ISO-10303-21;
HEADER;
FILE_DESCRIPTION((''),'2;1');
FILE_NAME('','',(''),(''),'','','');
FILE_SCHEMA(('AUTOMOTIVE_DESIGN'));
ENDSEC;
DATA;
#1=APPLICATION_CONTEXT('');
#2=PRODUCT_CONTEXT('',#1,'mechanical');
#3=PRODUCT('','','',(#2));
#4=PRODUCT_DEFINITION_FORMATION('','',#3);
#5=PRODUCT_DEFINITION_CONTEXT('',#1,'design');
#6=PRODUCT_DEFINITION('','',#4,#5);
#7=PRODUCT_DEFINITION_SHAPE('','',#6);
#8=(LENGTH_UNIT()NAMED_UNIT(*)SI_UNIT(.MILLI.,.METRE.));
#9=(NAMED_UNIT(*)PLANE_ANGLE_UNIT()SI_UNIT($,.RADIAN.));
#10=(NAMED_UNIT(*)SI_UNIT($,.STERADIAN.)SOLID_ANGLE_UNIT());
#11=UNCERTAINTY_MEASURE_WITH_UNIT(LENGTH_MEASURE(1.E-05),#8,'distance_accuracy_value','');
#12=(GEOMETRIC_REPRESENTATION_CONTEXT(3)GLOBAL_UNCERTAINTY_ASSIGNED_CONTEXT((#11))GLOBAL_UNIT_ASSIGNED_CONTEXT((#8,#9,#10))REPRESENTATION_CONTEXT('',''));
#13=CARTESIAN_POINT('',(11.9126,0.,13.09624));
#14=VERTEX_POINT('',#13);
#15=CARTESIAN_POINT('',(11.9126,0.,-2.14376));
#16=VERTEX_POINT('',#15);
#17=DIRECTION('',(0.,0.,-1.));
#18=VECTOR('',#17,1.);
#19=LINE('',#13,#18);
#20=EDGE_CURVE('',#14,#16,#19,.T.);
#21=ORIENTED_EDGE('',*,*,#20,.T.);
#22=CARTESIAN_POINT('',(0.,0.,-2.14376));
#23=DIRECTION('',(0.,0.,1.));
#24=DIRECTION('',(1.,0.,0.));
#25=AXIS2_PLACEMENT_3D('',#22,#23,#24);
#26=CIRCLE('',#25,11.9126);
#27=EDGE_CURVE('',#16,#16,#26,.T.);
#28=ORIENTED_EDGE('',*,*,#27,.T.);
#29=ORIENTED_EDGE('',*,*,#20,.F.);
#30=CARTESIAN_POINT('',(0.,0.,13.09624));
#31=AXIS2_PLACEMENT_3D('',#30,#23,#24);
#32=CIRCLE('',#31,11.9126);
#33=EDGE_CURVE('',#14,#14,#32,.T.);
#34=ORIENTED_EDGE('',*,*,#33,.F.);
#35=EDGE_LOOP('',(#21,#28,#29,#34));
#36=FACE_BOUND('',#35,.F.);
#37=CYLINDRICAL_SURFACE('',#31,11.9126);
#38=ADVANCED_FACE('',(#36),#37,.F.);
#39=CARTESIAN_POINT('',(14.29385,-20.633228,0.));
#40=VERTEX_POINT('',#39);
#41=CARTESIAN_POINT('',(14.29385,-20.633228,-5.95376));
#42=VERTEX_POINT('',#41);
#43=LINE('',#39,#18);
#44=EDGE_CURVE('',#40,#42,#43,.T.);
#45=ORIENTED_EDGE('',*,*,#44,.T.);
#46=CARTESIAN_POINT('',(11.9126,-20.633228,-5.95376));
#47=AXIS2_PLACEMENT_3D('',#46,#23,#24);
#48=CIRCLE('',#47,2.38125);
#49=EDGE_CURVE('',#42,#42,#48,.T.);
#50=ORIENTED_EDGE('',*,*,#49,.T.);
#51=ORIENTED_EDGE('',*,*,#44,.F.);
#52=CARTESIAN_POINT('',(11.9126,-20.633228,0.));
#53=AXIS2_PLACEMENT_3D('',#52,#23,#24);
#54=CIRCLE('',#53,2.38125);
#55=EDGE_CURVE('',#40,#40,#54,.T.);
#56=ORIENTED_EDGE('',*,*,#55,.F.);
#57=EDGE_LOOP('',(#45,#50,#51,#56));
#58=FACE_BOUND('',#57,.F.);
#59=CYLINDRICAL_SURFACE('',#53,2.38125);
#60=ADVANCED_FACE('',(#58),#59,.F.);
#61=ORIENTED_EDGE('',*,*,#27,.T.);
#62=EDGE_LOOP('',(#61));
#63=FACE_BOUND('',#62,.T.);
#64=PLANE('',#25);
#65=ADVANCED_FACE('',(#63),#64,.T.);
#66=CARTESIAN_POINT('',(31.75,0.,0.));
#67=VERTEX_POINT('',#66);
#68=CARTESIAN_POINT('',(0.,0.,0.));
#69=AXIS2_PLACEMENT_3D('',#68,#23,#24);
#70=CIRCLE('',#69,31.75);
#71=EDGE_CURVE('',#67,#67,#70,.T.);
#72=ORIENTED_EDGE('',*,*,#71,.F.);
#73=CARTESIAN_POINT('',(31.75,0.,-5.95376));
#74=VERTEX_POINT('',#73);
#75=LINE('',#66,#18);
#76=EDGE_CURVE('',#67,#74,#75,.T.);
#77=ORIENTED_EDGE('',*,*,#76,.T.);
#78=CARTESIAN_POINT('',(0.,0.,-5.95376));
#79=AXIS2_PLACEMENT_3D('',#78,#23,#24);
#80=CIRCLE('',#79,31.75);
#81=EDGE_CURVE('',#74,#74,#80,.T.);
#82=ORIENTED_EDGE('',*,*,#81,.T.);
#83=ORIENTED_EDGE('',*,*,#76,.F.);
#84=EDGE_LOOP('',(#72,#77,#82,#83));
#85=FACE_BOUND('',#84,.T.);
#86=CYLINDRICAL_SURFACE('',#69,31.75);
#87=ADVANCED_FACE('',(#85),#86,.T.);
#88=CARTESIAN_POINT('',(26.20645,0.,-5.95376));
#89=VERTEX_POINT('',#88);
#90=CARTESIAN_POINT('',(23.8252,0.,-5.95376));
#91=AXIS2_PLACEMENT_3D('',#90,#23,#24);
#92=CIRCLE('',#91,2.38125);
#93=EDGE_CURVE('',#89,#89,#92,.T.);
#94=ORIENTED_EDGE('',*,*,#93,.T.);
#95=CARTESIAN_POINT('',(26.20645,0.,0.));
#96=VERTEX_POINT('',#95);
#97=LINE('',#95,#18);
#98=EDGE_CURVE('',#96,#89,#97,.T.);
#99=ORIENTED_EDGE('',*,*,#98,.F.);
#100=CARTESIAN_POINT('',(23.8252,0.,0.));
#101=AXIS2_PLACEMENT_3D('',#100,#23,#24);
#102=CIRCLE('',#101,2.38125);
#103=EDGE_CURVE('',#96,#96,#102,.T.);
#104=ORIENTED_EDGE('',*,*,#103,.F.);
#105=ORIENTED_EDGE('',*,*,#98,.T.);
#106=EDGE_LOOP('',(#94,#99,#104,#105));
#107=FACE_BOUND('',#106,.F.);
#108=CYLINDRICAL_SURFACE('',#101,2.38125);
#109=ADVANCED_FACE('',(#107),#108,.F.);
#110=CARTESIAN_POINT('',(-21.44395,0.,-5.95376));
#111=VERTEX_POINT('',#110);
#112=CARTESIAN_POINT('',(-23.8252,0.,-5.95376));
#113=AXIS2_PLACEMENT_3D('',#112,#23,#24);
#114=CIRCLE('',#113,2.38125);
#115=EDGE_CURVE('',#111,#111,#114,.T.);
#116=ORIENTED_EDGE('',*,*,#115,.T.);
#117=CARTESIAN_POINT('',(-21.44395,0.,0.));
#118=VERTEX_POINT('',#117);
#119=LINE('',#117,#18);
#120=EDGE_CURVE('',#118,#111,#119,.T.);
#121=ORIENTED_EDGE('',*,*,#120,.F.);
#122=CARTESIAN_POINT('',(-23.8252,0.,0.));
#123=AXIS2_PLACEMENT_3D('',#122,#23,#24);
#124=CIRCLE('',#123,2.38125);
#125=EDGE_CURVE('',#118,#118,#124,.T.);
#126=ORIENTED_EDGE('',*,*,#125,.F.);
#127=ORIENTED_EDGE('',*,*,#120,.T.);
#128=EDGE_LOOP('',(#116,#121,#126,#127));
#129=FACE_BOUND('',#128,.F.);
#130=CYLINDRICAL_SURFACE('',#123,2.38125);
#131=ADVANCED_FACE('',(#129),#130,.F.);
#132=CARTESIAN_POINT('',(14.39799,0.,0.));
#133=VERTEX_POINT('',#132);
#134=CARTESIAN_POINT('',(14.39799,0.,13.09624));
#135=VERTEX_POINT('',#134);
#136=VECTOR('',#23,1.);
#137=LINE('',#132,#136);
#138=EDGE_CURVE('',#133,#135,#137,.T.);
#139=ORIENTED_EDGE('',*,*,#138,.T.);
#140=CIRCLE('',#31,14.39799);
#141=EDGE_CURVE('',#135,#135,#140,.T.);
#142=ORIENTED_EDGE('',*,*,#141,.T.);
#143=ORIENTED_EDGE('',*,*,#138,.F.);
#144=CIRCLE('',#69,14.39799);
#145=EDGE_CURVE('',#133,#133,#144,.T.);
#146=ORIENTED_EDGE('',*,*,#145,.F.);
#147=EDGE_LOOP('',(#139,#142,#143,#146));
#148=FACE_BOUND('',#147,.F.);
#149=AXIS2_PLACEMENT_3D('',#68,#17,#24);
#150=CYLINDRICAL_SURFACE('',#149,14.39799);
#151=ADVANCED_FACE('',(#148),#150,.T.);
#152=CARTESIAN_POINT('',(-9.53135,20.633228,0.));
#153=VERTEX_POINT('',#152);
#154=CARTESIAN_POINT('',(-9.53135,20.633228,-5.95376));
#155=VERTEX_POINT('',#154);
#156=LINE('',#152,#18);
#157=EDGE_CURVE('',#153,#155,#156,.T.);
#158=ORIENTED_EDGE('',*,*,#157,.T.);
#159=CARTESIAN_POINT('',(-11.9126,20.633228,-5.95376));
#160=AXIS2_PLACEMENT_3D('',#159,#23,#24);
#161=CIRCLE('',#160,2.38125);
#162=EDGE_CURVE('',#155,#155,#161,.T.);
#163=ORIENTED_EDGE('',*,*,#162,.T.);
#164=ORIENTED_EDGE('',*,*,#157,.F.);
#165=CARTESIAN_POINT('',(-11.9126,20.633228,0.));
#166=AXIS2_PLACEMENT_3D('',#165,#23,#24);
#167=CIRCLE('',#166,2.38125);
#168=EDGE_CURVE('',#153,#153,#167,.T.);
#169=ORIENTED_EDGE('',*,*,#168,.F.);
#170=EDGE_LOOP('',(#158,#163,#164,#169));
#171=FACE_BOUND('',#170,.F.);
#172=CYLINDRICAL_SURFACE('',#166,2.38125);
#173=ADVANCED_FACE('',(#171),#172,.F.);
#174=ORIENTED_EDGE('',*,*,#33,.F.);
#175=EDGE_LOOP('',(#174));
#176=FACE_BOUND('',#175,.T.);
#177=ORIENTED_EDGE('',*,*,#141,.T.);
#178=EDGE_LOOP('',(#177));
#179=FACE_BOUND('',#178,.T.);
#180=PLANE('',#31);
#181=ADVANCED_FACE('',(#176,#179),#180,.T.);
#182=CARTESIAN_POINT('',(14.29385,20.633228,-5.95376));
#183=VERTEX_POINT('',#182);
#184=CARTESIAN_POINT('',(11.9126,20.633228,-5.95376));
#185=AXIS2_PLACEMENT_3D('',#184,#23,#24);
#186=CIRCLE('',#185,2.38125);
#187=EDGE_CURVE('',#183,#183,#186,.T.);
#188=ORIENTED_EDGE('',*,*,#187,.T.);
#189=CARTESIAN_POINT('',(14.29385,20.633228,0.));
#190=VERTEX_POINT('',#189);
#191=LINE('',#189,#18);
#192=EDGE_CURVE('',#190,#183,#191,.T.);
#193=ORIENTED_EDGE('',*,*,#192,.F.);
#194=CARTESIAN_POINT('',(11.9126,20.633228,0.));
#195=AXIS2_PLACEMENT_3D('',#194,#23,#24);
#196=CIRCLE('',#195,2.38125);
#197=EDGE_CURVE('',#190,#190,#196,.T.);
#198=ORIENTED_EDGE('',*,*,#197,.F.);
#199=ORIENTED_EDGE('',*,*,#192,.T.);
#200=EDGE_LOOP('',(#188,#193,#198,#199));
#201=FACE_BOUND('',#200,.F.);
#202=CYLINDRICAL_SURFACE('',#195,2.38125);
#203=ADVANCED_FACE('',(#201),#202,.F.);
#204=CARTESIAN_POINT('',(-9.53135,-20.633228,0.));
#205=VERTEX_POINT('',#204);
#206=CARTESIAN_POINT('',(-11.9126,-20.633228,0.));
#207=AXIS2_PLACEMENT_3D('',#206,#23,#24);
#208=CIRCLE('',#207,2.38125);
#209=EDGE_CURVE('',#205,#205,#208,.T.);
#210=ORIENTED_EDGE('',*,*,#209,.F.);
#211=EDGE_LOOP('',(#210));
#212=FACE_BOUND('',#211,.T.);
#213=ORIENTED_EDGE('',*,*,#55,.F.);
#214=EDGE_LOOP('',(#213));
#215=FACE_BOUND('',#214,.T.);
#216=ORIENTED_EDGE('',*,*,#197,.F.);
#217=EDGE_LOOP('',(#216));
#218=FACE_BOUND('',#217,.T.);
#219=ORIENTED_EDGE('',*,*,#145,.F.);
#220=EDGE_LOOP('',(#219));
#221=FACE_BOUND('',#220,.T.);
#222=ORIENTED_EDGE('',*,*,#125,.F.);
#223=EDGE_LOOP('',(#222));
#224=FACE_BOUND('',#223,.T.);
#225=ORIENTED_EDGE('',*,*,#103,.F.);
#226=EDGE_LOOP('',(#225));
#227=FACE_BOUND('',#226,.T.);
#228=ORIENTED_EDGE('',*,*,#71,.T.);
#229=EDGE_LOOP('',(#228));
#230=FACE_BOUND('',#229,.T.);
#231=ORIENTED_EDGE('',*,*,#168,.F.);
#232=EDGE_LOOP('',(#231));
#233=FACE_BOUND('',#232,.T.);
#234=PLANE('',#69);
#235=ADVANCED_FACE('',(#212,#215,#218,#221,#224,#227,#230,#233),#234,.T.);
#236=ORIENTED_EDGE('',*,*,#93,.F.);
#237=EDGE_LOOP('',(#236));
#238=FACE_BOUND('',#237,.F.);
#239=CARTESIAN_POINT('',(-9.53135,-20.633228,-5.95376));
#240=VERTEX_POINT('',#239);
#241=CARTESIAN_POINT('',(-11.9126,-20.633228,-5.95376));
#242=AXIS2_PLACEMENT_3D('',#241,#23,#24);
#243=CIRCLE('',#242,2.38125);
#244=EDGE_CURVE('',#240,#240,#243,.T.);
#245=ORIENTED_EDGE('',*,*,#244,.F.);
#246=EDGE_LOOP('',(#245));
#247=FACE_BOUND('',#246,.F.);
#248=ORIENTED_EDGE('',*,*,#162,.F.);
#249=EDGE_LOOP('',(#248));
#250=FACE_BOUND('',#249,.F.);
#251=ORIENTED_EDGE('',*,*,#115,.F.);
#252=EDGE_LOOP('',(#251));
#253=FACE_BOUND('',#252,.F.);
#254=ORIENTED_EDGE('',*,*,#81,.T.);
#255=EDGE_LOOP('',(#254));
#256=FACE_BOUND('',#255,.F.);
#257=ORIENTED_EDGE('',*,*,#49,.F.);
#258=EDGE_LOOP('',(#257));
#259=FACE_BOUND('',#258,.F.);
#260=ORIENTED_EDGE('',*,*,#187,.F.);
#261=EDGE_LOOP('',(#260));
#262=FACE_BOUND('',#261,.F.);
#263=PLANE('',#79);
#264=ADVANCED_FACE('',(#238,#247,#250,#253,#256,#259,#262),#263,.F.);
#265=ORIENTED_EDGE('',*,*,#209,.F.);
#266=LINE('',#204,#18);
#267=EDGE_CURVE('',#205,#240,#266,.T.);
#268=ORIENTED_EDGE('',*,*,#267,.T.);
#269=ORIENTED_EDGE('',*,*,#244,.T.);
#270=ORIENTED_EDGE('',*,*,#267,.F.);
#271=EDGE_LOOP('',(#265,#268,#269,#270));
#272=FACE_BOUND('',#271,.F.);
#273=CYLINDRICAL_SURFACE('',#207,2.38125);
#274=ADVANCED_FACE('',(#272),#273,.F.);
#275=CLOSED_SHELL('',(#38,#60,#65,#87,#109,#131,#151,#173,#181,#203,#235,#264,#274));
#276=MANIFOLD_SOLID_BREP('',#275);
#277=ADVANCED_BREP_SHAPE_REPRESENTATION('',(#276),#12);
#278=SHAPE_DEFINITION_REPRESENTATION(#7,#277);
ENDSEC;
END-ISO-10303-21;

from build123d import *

# Parameters (mm, degrees)
F0_R     = 31.75
F1_DEPTH = 5.95376
F2_R     = 14.39799
F3_DEPTH = 13.09624
F5_R     = 2.38125
F6_DEPTH = 5.95476
F4_R     = 11.9126
F7_DEPTH = 15.24


with BuildPart() as f1:
    # F0 (on Top) → F1 (new body)
    with BuildSketch(Plane.XY):
        Circle(F0_R)
    extrude(amount=-F1_DEPTH)

    # F2 (on face) → F3 (join)
    with BuildSketch(Plane.XY):
        Circle(F2_R)
    extrude(amount=F3_DEPTH)

    # F5 (on face) → F6 (cut, through all)
    with BuildSketch(Plane.XY):
        with Locations((-23.8252, 0)):
            Circle(F5_R)
        with Locations((-11.9126, 20.633228)):
            Circle(F5_R)
        with Locations((11.9126, 20.633228)):
            Circle(F5_R)
        with Locations((23.8252, 0)):
            Circle(F5_R)
        with Locations((11.9126, -20.633228)):
            Circle(F5_R)
        with Locations((-11.9126, -20.633228)):
            Circle(F5_R)
    extrude(amount=-F6_DEPTH, mode=Mode.SUBTRACT)

    # F4 (on face) → F7 (cut)
    with BuildSketch(Plane.XY.offset(13.09624)):
        Circle(F4_R)
    extrude(amount=-F7_DEPTH, mode=Mode.SUBTRACT)


solid = f1.part
